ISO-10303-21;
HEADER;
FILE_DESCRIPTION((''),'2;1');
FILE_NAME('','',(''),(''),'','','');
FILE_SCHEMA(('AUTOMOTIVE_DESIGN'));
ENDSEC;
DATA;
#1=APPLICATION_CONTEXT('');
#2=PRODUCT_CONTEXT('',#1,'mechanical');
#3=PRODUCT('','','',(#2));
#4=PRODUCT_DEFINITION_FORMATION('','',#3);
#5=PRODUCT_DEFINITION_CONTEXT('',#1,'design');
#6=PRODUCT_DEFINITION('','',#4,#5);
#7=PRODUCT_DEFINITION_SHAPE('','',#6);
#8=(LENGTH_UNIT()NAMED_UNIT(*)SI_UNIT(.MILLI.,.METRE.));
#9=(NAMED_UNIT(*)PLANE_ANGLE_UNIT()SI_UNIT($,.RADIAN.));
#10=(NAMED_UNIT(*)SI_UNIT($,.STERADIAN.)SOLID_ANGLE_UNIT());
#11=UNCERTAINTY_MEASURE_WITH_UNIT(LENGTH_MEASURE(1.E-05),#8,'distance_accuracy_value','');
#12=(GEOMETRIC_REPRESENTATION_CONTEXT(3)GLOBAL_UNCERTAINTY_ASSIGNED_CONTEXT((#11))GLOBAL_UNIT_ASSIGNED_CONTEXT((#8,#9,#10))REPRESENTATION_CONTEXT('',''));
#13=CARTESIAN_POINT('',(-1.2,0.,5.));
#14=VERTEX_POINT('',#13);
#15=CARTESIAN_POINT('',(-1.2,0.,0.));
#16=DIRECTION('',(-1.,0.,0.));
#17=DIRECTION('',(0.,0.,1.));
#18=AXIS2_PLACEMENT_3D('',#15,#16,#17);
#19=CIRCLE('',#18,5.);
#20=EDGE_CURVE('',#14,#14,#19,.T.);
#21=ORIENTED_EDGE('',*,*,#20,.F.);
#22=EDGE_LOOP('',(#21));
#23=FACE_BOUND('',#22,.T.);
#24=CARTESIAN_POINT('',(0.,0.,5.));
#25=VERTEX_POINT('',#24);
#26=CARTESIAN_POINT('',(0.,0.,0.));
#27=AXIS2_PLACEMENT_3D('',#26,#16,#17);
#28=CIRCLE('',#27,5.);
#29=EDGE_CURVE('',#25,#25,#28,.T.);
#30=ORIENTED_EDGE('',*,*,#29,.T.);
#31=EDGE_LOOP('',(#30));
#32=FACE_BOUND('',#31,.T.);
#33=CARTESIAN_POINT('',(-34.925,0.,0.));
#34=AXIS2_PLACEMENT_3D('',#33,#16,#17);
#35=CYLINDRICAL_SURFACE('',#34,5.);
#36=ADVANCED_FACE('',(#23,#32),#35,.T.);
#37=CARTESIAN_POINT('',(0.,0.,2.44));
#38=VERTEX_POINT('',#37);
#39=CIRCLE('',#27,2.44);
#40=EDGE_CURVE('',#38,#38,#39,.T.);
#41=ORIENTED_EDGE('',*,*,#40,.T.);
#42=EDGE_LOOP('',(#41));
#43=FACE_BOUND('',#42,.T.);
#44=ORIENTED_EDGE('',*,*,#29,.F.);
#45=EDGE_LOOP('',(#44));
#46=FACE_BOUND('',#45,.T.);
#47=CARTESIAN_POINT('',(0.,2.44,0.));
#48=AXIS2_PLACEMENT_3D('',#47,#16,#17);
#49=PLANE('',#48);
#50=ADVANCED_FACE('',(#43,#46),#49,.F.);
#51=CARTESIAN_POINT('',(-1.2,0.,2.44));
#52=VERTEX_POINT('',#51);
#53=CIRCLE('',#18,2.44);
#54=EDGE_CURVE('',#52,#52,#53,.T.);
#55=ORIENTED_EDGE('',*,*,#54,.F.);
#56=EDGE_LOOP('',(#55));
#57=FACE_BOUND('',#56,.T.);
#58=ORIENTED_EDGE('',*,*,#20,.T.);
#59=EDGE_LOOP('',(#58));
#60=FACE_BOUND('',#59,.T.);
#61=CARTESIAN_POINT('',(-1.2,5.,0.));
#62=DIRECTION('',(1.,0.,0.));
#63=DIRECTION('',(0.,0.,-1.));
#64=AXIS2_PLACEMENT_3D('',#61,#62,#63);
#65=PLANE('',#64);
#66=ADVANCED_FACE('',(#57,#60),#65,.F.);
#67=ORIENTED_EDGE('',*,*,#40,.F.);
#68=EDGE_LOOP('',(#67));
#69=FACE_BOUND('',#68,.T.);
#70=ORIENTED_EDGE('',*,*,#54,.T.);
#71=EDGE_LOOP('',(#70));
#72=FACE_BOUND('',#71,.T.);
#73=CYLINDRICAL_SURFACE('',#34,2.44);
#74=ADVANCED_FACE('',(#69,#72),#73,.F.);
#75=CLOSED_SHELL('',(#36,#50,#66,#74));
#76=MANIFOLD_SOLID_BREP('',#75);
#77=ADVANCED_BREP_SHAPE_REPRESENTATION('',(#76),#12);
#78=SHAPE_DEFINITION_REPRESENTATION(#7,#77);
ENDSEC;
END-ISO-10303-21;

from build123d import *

# Parameters (mm, degrees)
SKETCH1_W = 1.2
SKETCH1_H = 2.56


with BuildPart() as part:
    # Sketch1 → Base-Revolve (revolve)
    with BuildSketch(Plane.XY, mode=Mode.PRIVATE) as base_revolve_sk:
        with Locations((-0.6, 3.72)):
            Rectangle(SKETCH1_W, SKETCH1_H)
    revolve(base_revolve_sk.sketch.rotate(Axis((-34.925, 0, 0), (1, 0, 0)), 90), axis=Axis((-34.925, 0, 0), (1, 0, 0)))


solid = part.part
